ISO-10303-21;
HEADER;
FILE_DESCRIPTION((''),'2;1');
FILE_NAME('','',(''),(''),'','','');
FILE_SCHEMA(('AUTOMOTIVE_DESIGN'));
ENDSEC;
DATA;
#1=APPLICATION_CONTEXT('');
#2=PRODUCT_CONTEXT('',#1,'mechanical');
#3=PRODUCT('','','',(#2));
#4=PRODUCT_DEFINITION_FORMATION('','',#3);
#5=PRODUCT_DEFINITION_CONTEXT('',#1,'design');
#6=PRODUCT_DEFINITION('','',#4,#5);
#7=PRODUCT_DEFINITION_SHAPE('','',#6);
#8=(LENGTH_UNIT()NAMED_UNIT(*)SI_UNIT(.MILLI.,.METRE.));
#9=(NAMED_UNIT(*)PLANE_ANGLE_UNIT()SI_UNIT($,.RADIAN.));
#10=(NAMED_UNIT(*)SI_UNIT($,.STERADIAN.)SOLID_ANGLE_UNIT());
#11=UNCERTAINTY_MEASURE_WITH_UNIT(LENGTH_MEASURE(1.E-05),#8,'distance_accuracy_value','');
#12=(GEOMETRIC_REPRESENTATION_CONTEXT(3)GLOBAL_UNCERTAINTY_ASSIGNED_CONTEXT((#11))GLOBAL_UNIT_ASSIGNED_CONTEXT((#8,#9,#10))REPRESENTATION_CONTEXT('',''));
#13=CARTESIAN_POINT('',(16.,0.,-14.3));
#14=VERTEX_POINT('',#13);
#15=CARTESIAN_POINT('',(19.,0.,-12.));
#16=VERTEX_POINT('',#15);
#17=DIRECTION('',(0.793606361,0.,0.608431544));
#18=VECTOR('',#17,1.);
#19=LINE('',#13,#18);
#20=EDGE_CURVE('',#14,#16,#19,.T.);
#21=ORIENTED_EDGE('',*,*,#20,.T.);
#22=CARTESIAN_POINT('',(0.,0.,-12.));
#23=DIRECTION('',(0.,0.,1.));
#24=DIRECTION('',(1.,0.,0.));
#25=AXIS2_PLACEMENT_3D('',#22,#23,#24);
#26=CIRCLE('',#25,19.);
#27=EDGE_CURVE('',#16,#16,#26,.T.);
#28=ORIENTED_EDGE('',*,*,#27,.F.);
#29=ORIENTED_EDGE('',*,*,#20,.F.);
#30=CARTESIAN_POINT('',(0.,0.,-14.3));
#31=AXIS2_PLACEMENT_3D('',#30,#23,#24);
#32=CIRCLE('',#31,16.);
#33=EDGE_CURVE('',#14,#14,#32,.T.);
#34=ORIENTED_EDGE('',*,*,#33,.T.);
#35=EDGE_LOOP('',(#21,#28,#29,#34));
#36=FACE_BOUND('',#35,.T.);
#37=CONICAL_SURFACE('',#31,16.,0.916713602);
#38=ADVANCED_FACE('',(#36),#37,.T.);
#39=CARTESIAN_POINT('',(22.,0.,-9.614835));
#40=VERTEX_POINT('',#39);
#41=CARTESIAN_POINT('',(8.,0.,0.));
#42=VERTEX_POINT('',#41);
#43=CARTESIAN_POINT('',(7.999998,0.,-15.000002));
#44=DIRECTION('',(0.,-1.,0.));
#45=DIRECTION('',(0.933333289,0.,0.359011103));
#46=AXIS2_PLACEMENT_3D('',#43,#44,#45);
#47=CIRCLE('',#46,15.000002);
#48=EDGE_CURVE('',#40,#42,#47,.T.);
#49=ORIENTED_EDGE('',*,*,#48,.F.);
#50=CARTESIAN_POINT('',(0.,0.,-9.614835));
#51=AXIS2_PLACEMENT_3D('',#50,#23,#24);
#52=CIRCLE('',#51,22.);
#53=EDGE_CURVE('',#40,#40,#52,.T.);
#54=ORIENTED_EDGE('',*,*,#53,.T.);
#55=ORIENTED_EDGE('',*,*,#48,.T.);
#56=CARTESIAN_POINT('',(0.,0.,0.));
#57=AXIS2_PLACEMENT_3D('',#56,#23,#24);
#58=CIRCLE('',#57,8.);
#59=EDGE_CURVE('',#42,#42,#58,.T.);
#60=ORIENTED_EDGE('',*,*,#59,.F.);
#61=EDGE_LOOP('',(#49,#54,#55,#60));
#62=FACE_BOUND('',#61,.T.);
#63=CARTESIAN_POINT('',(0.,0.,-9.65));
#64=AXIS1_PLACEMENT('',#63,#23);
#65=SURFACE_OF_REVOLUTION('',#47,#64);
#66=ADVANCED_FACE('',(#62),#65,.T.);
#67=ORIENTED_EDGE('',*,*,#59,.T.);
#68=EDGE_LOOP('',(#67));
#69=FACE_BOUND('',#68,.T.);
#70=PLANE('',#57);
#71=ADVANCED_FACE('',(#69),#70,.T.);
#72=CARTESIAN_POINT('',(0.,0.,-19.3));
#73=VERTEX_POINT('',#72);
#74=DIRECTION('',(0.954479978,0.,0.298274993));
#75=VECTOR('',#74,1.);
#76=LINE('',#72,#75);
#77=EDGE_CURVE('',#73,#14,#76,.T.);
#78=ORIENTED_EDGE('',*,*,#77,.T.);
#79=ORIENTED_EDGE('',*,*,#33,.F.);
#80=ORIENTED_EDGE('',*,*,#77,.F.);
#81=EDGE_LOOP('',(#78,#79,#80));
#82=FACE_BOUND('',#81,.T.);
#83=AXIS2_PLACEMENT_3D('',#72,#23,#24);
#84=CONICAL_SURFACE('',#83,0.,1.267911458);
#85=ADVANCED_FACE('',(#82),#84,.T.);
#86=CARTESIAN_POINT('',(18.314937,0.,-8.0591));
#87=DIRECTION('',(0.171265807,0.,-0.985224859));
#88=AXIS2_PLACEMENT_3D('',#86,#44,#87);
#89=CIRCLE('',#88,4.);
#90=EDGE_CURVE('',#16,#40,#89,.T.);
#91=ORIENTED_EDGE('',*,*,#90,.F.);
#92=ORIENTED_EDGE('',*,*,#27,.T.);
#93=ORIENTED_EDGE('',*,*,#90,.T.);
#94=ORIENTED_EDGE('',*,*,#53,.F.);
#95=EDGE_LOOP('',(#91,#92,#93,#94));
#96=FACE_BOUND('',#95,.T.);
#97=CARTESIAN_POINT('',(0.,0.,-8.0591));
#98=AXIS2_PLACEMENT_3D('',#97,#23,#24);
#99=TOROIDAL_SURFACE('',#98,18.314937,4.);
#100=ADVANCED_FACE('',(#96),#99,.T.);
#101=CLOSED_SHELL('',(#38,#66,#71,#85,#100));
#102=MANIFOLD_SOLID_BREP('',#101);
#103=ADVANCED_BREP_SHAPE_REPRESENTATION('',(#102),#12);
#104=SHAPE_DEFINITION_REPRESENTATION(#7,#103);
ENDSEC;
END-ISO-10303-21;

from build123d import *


with BuildPart() as f1:
    # F0 (on Front) → F1 (revolve)
    with BuildSketch(Plane.XZ):
        Polygon((16, -14.3), (0, -14.3), (0, -19.3), align=None)
        Polygon((19, -12), (0, -12), (0, -14.3), (16, -14.3), align=None)
        with BuildLine():
            Line((8, 0), (0, 0))
            Line((0, 0), (0, -12))
            Line((0, -12), (19, -12))
            ThreePointArc((19, -12), (20.804265, -11.190114), (22, -9.614835))
            ThreePointArc((22, -9.614835), (16.491835, -2.635182), (8, 0))
        make_face()
    revolve(axis=Axis((0, 0, -9.65), (0, 0, 1)))


solid = f1.part
